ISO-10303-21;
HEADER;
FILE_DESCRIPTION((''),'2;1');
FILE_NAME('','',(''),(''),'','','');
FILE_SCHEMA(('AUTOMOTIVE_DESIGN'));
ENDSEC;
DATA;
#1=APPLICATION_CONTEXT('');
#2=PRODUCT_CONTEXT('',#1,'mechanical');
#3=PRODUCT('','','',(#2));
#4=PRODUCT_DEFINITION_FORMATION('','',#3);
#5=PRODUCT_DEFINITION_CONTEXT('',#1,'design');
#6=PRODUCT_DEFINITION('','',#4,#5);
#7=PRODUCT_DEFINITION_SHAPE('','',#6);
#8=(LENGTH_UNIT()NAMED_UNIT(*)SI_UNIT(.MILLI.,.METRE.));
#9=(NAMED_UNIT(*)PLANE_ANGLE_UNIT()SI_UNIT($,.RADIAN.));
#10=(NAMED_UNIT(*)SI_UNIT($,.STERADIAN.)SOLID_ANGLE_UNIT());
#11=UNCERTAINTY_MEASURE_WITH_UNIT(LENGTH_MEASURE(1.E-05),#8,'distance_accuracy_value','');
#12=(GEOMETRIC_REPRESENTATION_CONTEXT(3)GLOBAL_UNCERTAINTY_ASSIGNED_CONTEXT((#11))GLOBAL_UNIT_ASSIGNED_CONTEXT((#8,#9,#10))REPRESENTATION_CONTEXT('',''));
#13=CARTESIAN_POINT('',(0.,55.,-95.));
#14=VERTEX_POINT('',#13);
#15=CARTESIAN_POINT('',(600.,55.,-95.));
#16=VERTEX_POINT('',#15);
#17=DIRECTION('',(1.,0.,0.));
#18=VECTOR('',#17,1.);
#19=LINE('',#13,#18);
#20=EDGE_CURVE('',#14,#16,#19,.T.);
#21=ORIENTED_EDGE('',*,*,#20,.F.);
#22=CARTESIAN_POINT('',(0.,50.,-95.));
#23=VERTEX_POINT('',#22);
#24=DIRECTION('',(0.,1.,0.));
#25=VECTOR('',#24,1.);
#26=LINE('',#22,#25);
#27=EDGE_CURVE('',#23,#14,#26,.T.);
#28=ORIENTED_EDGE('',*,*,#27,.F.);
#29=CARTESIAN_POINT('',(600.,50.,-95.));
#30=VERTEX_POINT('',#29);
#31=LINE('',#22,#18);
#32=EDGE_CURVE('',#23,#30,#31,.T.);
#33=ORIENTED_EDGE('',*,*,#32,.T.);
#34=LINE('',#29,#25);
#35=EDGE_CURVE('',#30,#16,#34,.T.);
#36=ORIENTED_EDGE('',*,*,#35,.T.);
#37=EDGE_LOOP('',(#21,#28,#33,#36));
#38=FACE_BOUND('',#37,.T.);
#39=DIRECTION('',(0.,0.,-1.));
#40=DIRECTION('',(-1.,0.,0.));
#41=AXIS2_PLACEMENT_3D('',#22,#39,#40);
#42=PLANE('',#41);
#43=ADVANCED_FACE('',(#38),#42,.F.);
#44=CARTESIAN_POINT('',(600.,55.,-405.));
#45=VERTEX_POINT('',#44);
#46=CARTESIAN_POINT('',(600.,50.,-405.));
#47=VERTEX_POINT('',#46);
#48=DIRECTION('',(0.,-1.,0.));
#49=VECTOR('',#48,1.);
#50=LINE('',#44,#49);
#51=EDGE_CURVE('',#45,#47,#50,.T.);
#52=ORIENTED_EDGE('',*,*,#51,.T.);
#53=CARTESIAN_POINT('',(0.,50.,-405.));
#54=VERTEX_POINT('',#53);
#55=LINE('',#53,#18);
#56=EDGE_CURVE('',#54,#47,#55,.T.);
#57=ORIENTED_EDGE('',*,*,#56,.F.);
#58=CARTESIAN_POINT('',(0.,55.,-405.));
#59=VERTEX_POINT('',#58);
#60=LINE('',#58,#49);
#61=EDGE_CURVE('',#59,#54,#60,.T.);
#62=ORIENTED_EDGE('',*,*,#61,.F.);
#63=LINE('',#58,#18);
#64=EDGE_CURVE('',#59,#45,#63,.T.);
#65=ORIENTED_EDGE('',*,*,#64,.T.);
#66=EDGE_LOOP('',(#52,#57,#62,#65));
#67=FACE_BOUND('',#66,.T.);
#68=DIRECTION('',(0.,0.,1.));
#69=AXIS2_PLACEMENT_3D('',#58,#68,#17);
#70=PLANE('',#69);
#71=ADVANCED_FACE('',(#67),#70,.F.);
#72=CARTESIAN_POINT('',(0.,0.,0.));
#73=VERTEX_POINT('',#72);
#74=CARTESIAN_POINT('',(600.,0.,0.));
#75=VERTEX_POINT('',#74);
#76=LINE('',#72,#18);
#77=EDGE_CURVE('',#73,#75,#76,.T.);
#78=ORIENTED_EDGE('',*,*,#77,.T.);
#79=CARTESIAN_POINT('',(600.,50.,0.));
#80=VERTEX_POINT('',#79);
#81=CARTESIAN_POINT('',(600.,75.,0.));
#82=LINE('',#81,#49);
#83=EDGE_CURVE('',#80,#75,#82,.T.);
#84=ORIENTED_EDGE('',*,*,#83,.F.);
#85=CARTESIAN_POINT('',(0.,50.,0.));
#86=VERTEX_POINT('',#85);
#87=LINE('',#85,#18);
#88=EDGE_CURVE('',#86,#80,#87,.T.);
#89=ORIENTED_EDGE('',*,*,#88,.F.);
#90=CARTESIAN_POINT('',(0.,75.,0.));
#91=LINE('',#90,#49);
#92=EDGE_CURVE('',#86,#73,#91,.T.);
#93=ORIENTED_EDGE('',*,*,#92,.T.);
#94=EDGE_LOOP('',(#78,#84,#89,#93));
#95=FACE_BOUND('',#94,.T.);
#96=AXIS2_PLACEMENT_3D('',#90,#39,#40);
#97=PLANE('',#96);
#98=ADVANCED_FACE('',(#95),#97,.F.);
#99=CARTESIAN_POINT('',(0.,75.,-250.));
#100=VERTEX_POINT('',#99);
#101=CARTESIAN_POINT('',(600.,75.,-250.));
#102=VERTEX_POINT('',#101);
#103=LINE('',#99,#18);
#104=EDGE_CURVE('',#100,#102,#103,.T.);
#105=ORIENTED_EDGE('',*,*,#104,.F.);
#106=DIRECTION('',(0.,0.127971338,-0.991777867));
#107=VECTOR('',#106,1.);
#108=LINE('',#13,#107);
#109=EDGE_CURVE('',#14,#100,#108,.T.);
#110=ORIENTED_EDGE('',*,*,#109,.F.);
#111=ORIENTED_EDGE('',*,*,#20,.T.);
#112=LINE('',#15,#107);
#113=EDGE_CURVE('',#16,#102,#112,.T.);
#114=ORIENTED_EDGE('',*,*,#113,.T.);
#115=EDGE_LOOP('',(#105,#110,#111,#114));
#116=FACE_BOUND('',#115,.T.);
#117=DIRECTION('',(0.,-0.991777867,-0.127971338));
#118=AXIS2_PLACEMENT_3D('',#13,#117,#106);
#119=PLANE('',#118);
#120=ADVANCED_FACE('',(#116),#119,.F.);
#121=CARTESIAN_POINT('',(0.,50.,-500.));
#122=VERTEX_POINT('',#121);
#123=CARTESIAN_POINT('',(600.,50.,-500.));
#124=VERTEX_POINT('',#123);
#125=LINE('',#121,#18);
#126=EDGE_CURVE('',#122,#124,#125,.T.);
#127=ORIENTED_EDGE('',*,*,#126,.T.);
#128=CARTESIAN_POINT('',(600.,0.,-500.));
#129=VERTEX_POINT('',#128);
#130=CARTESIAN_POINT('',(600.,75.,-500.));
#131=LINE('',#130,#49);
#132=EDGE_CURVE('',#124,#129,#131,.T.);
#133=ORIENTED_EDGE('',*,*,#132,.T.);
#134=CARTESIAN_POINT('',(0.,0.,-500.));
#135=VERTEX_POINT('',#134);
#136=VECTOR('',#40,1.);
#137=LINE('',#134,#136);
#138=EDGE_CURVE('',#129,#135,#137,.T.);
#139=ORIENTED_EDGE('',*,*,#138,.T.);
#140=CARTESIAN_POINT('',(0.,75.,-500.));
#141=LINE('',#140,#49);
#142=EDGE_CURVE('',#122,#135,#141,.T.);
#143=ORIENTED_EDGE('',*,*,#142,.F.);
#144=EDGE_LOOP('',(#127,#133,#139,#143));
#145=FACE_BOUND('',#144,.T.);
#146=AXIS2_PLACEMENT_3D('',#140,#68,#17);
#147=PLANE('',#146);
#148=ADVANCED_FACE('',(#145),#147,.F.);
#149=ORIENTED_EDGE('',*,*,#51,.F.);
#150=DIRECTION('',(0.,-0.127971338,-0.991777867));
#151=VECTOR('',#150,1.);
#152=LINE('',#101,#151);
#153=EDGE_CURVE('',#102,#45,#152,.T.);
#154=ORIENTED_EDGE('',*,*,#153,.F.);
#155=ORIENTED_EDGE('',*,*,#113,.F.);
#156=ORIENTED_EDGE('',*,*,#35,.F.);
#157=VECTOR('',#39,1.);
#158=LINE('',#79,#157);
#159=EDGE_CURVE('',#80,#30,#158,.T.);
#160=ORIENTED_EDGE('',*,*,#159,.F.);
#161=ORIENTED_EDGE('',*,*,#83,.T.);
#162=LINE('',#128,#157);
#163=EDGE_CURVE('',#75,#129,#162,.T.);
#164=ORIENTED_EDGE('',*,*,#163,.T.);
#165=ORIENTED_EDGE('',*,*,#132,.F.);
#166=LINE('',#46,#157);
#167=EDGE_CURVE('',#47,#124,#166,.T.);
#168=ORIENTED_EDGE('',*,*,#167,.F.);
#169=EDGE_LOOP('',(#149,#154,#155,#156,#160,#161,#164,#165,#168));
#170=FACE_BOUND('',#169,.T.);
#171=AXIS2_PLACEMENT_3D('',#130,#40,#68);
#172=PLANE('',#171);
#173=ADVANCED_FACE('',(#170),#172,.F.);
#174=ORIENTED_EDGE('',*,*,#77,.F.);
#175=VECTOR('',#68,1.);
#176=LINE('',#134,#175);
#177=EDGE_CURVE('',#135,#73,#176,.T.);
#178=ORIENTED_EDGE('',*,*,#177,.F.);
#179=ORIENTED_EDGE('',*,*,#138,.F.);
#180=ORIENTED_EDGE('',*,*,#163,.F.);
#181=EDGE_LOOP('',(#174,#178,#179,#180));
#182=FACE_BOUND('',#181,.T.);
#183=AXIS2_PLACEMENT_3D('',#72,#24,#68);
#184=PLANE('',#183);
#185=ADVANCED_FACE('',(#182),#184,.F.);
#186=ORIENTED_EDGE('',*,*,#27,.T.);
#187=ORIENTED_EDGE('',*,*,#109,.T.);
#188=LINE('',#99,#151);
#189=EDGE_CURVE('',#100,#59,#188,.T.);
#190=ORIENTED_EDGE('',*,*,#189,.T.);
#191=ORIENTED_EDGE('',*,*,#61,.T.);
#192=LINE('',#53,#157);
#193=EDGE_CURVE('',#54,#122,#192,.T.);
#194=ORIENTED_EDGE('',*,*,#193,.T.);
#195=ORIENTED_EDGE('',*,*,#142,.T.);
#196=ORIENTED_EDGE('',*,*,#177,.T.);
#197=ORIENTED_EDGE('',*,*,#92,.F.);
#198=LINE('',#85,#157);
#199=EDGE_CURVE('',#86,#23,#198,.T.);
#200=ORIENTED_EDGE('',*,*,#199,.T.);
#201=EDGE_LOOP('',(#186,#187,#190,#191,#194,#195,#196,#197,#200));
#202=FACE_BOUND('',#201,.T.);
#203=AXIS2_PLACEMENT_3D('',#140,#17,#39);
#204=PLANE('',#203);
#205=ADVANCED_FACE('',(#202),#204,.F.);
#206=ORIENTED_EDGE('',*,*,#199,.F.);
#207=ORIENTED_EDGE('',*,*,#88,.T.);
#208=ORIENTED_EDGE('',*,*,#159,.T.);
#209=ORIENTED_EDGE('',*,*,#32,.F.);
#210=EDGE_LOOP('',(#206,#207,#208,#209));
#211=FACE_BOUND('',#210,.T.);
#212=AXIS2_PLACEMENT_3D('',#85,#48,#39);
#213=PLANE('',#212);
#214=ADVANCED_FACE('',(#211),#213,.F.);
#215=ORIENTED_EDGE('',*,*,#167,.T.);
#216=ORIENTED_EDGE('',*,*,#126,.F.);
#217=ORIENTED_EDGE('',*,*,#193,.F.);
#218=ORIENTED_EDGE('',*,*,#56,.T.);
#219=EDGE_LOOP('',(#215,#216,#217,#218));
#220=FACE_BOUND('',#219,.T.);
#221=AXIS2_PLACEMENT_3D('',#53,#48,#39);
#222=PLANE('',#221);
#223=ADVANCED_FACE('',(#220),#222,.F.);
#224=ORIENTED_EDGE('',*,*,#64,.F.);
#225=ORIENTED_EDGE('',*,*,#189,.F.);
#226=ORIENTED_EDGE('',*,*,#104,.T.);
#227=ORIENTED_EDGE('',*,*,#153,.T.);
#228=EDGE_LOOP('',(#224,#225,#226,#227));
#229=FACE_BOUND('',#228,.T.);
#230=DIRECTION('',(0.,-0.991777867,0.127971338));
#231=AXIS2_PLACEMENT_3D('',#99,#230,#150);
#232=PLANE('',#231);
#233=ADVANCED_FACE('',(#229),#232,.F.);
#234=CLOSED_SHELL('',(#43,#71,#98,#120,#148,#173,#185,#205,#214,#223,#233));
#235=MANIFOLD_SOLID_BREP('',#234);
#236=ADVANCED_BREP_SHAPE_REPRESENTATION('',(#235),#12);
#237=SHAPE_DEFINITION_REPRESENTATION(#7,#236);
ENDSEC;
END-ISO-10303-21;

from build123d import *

# Parameters (mm, degrees)
SKETCH_1_W          = 600
SKETCH_1_H          = 500
EXTRUDE_1_DEPTH     = 75
CUT_EXTRUDE_1_DEPTH = 785.617741324
CUT_EXTRUDE_2_DEPTH = 785.617741324


with BuildPart() as part:
    # 草图1 → 凸台-拉伸1 (new body)
    with BuildSketch(Plane(origin=(0, 0, 0), x_dir=(1, 0, 0), z_dir=(0, 1, 0))):
        with Locations((300, 250)):
            Rectangle(SKETCH_1_W, SKETCH_1_H)
    extrude(amount=EXTRUDE_1_DEPTH)

    # 草图3 → 切除-拉伸1 (cut, through all)
    with BuildSketch(Plane(origin=(600, 0, 0), x_dir=(0, 0, -1), z_dir=(1, 0, 0))):
        Polygon((405, 55), (405, 50), (500, 50), (500, 75), (250, 75), align=None)
    extrude(amount=-CUT_EXTRUDE_1_DEPTH, mode=Mode.SUBTRACT)

    # 草图4 → 切除-拉伸2 (cut, through all)
    with BuildSketch(Plane(origin=(600, 0, 0), x_dir=(0, 0, -1), z_dir=(1, 0, 0))):
        Polygon((0, 75), (0, 50), (95, 50), (95, 55), (250, 75), align=None)
    extrude(amount=-CUT_EXTRUDE_2_DEPTH, mode=Mode.SUBTRACT)


solid = part.part
